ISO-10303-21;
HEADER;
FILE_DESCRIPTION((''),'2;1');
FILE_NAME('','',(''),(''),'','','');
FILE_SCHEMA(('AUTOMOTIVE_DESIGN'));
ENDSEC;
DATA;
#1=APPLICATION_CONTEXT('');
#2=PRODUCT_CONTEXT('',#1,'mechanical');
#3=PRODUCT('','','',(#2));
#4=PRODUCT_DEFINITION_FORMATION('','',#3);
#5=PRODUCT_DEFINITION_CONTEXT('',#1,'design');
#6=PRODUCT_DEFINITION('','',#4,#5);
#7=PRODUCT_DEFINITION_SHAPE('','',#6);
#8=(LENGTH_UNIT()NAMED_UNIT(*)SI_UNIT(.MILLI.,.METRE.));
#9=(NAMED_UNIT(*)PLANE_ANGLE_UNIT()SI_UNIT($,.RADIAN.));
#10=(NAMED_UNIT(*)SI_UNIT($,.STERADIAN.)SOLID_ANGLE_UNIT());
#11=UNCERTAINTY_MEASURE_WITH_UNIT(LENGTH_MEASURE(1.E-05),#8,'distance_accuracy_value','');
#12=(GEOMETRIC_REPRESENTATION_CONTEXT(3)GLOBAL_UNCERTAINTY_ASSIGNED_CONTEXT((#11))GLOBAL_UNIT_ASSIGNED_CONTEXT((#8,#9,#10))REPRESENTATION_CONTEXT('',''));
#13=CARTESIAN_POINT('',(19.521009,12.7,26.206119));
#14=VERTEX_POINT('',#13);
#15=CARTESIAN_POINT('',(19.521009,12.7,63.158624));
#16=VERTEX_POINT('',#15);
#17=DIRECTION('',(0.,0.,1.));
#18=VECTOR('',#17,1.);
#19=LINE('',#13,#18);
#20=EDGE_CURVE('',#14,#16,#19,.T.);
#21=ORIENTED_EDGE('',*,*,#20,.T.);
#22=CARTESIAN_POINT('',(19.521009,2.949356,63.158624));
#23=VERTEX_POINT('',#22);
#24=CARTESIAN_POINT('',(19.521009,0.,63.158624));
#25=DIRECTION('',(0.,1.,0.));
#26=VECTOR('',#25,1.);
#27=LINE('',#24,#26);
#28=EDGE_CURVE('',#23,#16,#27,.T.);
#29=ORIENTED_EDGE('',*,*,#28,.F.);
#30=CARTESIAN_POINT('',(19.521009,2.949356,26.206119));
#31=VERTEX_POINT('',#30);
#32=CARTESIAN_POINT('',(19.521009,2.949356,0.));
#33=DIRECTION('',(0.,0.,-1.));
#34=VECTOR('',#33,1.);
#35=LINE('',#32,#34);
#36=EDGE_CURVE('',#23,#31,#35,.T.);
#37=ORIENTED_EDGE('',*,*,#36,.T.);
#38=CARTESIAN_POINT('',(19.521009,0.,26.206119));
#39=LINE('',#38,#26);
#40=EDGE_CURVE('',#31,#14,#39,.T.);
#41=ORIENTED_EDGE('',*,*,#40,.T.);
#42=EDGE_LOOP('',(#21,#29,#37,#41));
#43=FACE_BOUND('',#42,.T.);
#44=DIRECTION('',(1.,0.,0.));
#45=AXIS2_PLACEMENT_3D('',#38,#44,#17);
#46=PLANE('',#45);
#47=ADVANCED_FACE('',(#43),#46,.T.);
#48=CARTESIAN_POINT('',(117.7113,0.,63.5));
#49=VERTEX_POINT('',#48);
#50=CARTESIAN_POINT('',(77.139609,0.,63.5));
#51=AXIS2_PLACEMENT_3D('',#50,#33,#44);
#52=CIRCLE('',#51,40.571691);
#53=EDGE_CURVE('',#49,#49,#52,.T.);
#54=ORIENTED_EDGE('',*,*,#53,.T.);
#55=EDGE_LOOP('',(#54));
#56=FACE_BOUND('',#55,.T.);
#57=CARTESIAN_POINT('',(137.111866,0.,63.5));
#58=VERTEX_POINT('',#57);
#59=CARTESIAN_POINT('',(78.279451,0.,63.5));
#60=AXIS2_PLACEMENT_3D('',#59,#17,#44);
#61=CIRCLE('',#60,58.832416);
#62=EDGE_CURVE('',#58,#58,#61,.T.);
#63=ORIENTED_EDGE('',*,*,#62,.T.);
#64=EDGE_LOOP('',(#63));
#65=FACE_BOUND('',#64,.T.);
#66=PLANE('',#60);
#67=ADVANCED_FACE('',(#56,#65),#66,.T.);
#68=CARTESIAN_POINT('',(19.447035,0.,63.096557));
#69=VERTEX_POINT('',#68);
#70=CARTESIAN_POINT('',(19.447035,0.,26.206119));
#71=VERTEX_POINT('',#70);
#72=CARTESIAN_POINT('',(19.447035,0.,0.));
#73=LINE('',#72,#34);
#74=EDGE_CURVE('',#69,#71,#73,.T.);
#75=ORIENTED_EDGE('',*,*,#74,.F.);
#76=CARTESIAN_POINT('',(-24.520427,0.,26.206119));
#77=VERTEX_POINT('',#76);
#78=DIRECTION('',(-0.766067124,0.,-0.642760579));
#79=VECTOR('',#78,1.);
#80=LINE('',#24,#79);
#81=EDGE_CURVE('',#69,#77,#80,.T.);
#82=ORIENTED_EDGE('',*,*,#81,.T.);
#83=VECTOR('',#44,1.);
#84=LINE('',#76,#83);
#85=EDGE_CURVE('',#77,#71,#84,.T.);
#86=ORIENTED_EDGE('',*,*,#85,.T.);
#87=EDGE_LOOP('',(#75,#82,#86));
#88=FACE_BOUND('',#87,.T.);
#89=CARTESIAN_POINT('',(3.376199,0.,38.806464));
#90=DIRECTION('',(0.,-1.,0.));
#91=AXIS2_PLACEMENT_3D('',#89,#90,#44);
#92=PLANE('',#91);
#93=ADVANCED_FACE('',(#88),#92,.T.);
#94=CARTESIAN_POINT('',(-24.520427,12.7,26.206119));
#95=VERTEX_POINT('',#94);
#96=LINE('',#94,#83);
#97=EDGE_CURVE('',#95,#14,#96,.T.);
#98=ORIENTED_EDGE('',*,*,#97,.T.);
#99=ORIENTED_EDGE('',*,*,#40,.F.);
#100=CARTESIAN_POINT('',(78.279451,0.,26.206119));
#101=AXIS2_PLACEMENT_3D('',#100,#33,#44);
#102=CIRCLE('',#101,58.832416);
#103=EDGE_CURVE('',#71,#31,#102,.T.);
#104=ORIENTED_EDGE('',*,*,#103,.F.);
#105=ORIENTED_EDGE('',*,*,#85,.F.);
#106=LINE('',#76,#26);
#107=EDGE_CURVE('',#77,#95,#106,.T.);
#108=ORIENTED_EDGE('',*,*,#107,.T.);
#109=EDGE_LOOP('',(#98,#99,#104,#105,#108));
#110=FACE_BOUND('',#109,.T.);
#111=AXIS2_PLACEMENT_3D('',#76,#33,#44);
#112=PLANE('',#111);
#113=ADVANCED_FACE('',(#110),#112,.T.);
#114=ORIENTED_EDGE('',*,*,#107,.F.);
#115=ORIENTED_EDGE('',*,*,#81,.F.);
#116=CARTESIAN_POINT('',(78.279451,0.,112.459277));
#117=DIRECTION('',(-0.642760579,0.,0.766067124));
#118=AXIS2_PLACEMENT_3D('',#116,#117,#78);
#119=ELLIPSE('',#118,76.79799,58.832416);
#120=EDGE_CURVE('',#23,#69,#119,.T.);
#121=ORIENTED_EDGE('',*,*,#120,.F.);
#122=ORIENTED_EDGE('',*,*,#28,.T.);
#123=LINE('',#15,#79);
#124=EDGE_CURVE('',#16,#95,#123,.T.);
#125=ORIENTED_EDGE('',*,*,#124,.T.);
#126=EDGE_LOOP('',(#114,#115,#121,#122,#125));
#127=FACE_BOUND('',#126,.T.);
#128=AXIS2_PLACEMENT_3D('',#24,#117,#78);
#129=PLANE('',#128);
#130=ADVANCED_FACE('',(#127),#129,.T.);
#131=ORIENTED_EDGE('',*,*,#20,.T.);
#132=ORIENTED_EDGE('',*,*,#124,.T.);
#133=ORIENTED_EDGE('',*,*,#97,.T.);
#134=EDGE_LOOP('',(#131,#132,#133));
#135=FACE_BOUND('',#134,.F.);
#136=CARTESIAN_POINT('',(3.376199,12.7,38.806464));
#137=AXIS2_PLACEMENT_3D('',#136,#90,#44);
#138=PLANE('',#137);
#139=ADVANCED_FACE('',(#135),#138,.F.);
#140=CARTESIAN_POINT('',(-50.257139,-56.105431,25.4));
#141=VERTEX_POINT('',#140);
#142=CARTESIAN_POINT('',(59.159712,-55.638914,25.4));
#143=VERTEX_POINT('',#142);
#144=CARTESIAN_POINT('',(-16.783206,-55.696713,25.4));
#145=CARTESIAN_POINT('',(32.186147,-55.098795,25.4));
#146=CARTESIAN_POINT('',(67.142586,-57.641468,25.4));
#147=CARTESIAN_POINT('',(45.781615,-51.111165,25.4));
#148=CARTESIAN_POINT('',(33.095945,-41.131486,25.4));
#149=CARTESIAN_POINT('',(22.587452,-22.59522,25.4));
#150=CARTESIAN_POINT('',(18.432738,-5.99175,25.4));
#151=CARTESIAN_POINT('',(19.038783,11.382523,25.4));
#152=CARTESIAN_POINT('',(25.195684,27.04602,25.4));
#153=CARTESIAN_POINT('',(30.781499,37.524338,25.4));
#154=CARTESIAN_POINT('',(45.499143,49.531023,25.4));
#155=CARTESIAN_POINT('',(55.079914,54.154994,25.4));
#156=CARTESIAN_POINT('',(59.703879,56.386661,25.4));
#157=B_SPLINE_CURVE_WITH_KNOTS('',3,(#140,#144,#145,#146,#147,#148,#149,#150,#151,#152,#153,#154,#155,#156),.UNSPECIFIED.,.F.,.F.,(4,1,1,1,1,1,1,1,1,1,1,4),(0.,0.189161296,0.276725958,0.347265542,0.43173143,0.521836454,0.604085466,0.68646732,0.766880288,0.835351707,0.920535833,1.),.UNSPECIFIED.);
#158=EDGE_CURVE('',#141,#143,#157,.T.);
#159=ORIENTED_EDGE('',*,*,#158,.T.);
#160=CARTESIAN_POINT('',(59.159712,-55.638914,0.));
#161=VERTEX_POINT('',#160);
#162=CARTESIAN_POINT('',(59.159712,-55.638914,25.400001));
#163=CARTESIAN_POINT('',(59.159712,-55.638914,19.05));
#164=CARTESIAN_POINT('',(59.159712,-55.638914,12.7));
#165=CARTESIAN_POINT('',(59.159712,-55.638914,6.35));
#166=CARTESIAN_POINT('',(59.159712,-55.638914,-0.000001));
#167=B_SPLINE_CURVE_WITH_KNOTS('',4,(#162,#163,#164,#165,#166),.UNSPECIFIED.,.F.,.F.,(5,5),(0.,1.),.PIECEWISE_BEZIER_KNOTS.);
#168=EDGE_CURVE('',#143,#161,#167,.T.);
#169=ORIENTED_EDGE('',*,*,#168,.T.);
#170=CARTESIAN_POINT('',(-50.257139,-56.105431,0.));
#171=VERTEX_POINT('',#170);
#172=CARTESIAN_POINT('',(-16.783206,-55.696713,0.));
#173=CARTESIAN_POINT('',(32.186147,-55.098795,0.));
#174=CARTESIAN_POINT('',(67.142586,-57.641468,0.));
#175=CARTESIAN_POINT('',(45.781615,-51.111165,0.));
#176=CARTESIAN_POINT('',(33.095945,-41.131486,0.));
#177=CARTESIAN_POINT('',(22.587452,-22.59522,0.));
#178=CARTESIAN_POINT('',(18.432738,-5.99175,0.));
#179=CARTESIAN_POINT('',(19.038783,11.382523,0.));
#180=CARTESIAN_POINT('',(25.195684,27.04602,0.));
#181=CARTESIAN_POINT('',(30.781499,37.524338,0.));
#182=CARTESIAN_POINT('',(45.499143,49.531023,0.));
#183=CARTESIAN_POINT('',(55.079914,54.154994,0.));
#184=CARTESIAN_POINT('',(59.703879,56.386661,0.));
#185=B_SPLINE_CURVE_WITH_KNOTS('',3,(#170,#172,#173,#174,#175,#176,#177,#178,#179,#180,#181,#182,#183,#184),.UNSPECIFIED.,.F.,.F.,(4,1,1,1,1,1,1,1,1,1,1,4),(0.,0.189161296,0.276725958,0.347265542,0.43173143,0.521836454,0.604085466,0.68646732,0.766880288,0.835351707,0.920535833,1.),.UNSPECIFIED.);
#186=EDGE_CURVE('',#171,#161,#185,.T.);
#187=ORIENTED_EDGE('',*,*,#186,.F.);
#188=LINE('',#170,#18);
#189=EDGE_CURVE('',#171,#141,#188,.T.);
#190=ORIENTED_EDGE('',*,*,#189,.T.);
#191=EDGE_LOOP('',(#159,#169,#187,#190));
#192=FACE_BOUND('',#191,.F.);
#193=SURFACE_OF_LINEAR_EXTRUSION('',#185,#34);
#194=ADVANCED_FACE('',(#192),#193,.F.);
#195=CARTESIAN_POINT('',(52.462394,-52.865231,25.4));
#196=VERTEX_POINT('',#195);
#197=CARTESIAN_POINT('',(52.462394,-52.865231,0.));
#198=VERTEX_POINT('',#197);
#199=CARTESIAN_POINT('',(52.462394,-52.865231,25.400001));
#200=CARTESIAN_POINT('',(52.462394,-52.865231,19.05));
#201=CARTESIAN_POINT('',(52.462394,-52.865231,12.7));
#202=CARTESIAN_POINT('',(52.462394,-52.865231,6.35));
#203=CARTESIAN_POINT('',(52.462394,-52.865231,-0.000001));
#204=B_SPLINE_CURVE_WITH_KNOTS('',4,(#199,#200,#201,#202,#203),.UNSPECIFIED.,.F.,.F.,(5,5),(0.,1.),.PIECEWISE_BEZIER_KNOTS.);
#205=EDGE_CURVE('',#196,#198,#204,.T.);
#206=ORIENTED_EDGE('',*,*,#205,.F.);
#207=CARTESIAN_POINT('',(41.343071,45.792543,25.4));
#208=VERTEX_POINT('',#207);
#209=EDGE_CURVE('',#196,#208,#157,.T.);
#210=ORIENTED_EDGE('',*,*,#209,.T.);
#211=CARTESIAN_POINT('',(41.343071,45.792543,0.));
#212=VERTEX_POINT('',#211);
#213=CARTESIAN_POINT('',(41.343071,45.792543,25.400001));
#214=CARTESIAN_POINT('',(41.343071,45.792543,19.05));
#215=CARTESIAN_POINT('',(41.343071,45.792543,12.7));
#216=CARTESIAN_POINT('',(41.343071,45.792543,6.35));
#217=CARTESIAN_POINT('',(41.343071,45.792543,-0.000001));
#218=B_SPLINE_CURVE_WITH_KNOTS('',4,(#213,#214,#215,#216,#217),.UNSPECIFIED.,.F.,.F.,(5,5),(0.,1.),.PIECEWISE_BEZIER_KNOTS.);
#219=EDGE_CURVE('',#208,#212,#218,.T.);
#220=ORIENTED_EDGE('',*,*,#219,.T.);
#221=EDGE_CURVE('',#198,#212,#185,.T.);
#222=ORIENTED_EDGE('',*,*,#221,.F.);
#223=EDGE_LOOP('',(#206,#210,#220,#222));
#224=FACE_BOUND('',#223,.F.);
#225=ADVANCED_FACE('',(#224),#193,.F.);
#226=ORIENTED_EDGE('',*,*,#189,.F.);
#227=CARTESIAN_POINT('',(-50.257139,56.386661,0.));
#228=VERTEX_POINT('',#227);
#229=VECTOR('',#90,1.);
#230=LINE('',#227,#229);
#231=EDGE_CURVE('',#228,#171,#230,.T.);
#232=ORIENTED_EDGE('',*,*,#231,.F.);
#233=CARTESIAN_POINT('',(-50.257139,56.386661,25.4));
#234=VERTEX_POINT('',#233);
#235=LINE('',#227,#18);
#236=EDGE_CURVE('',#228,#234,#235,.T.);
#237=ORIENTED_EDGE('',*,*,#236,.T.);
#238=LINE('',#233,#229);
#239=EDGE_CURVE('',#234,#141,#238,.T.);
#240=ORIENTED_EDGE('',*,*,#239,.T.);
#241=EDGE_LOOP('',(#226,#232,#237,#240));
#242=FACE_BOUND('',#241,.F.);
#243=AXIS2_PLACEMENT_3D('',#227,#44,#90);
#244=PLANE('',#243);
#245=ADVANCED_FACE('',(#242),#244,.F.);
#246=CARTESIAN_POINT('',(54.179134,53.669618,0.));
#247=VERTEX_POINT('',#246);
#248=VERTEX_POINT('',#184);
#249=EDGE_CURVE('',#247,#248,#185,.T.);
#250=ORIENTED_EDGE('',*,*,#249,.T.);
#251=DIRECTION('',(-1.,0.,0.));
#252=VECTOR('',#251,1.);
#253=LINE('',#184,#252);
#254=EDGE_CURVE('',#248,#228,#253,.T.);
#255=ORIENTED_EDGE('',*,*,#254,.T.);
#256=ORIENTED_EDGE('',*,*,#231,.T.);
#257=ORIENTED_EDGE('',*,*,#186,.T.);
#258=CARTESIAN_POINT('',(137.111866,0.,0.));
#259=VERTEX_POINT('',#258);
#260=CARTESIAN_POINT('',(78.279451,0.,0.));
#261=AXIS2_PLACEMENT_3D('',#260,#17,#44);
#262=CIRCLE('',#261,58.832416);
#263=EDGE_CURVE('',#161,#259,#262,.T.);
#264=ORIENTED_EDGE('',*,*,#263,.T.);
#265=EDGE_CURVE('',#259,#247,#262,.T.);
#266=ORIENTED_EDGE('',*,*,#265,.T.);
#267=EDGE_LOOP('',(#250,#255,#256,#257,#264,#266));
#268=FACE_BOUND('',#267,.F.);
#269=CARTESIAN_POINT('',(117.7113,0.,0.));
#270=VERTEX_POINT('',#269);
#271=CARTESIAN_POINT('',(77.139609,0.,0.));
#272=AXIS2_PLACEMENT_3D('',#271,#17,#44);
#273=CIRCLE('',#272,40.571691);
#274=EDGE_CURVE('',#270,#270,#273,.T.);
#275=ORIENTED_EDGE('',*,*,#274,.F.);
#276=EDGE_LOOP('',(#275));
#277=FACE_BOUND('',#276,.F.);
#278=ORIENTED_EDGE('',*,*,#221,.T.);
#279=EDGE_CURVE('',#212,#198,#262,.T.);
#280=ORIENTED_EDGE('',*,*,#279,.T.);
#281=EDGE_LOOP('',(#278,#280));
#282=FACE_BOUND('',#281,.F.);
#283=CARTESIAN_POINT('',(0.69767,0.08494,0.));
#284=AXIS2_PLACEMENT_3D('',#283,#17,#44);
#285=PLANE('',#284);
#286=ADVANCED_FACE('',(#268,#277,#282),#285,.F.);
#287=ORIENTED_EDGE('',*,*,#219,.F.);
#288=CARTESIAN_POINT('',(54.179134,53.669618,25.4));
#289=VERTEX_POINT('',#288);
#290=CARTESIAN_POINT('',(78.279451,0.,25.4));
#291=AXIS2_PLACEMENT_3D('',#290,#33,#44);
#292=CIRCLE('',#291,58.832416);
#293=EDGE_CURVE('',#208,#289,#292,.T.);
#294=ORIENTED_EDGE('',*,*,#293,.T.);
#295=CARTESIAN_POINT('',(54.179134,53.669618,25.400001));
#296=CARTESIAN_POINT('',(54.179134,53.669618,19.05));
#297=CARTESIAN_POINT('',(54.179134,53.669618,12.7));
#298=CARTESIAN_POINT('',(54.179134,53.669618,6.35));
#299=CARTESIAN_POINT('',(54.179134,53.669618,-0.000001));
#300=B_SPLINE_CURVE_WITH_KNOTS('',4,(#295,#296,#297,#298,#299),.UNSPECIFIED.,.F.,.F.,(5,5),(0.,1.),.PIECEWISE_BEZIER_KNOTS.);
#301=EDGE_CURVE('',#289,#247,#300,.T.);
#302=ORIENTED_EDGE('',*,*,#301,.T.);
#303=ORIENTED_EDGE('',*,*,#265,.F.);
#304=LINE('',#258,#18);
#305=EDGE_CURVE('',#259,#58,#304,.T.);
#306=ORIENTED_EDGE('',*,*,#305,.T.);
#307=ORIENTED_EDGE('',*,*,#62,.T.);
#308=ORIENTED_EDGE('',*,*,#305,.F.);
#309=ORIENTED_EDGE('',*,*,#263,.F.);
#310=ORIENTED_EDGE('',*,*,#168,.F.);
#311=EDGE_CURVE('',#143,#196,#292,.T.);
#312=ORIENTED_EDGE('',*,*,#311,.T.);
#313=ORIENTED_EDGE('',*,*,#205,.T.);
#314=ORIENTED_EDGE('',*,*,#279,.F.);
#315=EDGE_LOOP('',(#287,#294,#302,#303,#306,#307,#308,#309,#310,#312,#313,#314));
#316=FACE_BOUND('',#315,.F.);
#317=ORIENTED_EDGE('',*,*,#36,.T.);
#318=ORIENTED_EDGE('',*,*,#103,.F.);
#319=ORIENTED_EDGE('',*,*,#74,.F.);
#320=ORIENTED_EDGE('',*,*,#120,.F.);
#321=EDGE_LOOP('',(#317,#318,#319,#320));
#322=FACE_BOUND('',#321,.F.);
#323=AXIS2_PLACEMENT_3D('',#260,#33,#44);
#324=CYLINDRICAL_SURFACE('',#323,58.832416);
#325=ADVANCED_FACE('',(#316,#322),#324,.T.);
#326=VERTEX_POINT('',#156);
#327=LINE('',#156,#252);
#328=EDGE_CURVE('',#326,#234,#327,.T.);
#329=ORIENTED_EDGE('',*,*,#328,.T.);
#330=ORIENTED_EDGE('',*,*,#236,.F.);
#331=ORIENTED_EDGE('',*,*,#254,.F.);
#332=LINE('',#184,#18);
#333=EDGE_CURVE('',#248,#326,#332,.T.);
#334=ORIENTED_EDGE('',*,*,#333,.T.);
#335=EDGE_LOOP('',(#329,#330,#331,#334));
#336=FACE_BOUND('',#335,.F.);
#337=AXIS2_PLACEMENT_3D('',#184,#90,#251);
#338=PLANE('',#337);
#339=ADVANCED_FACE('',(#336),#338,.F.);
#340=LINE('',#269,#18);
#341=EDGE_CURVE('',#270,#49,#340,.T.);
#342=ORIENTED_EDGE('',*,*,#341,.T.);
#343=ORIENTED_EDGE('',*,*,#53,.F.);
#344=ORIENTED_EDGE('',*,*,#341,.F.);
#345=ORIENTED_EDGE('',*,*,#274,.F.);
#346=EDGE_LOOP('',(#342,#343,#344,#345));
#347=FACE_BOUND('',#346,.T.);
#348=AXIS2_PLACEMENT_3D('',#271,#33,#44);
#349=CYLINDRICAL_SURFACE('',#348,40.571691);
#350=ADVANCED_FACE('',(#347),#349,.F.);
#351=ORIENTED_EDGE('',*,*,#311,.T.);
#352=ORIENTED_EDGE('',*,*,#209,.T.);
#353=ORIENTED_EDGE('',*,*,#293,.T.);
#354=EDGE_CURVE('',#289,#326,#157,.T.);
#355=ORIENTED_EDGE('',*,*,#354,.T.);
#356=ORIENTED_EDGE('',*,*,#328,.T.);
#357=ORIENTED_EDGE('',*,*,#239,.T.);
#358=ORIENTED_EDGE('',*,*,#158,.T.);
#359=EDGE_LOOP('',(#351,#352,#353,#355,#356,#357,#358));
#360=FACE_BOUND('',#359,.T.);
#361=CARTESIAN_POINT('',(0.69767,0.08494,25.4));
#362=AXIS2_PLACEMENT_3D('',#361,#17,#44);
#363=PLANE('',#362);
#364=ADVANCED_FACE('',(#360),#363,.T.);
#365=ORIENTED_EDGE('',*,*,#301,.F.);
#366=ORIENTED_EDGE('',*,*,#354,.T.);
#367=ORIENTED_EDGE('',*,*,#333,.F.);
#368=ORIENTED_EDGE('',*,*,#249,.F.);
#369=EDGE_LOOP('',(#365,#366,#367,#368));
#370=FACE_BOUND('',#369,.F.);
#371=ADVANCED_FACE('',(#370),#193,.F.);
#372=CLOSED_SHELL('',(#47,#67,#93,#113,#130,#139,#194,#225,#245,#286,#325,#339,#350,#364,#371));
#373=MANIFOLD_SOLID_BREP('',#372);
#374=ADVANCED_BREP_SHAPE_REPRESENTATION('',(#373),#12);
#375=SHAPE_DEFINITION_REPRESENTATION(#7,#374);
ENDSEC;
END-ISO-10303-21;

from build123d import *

# Parameters (mm, degrees)
F0_R     = 58.8324156358
F1_DEPTH = 63.5
F2_R     = 40.5716909801
F3_DEPTH = 63.501
F5_DEPTH = 25.4
F7_DEPTH = 12.7


with BuildPart() as f1:
    # F0 (on Top) → F1 (new body)
    with BuildSketch(Plane.XY):
        with Locations((78.2794505358, 0)):
            Circle(F0_R)
    extrude(amount=F1_DEPTH)

    # F2 (on Top) → F3 (cut, through all)
    with BuildSketch(Plane.XY):
        with Locations((77.139608562, 0)):
            Circle(F2_R)
    extrude(amount=F3_DEPTH, mode=Mode.SUBTRACT)

    # F4 (on Top) → F5 (join)
    with BuildSketch(Plane.XY):
        with BuildLine():
            add(Edge.make_bspline(
                [(-50.2571389079, -56.1054311693), (-16.7832059207, -55.6967128398), (32.1861465243, -55.0987946945), (67.1425862644, -57.641467666), (45.7816152555, -51.1111653509), (33.0959452068, -41.131486421), (22.5874521406, -22.5952197622), (18.4327377492, -5.9917502981), (19.0387832668, 11.3825225281), (25.1956842548, 27.0460198571), (30.7814993553, 37.5243375445), (45.4991432323, 49.5310228176), (55.0799139421, 54.1549944447), (59.7038790584, 56.3866607845)],
                knots=[0, 0, 0, 0, 0.1891612959, 0.2767259579, 0.3472655422, 0.4317314301, 0.5218364542, 0.6040854661, 0.6864673203, 0.766880288, 0.8353517069, 0.920535833, 1, 1, 1, 1], degree=3))
            Line((59.7038790584, 56.3866607845), (-50.2571389079, 56.3866607845))
            Line((-50.2571389079, 56.3866607845), (-50.2571389079, -56.1054311693))
        make_face()
    extrude(amount=F5_DEPTH)

    # F6 (on Front) → F7 (join)
    with BuildSketch(Plane.XZ):
        Polygon((19.521009177, 26.206118986), (19.521009177, 63.1586238742), (-24.5204272107, 26.206118986), align=None)
    extrude(amount=-F7_DEPTH)


solid = f1.part
